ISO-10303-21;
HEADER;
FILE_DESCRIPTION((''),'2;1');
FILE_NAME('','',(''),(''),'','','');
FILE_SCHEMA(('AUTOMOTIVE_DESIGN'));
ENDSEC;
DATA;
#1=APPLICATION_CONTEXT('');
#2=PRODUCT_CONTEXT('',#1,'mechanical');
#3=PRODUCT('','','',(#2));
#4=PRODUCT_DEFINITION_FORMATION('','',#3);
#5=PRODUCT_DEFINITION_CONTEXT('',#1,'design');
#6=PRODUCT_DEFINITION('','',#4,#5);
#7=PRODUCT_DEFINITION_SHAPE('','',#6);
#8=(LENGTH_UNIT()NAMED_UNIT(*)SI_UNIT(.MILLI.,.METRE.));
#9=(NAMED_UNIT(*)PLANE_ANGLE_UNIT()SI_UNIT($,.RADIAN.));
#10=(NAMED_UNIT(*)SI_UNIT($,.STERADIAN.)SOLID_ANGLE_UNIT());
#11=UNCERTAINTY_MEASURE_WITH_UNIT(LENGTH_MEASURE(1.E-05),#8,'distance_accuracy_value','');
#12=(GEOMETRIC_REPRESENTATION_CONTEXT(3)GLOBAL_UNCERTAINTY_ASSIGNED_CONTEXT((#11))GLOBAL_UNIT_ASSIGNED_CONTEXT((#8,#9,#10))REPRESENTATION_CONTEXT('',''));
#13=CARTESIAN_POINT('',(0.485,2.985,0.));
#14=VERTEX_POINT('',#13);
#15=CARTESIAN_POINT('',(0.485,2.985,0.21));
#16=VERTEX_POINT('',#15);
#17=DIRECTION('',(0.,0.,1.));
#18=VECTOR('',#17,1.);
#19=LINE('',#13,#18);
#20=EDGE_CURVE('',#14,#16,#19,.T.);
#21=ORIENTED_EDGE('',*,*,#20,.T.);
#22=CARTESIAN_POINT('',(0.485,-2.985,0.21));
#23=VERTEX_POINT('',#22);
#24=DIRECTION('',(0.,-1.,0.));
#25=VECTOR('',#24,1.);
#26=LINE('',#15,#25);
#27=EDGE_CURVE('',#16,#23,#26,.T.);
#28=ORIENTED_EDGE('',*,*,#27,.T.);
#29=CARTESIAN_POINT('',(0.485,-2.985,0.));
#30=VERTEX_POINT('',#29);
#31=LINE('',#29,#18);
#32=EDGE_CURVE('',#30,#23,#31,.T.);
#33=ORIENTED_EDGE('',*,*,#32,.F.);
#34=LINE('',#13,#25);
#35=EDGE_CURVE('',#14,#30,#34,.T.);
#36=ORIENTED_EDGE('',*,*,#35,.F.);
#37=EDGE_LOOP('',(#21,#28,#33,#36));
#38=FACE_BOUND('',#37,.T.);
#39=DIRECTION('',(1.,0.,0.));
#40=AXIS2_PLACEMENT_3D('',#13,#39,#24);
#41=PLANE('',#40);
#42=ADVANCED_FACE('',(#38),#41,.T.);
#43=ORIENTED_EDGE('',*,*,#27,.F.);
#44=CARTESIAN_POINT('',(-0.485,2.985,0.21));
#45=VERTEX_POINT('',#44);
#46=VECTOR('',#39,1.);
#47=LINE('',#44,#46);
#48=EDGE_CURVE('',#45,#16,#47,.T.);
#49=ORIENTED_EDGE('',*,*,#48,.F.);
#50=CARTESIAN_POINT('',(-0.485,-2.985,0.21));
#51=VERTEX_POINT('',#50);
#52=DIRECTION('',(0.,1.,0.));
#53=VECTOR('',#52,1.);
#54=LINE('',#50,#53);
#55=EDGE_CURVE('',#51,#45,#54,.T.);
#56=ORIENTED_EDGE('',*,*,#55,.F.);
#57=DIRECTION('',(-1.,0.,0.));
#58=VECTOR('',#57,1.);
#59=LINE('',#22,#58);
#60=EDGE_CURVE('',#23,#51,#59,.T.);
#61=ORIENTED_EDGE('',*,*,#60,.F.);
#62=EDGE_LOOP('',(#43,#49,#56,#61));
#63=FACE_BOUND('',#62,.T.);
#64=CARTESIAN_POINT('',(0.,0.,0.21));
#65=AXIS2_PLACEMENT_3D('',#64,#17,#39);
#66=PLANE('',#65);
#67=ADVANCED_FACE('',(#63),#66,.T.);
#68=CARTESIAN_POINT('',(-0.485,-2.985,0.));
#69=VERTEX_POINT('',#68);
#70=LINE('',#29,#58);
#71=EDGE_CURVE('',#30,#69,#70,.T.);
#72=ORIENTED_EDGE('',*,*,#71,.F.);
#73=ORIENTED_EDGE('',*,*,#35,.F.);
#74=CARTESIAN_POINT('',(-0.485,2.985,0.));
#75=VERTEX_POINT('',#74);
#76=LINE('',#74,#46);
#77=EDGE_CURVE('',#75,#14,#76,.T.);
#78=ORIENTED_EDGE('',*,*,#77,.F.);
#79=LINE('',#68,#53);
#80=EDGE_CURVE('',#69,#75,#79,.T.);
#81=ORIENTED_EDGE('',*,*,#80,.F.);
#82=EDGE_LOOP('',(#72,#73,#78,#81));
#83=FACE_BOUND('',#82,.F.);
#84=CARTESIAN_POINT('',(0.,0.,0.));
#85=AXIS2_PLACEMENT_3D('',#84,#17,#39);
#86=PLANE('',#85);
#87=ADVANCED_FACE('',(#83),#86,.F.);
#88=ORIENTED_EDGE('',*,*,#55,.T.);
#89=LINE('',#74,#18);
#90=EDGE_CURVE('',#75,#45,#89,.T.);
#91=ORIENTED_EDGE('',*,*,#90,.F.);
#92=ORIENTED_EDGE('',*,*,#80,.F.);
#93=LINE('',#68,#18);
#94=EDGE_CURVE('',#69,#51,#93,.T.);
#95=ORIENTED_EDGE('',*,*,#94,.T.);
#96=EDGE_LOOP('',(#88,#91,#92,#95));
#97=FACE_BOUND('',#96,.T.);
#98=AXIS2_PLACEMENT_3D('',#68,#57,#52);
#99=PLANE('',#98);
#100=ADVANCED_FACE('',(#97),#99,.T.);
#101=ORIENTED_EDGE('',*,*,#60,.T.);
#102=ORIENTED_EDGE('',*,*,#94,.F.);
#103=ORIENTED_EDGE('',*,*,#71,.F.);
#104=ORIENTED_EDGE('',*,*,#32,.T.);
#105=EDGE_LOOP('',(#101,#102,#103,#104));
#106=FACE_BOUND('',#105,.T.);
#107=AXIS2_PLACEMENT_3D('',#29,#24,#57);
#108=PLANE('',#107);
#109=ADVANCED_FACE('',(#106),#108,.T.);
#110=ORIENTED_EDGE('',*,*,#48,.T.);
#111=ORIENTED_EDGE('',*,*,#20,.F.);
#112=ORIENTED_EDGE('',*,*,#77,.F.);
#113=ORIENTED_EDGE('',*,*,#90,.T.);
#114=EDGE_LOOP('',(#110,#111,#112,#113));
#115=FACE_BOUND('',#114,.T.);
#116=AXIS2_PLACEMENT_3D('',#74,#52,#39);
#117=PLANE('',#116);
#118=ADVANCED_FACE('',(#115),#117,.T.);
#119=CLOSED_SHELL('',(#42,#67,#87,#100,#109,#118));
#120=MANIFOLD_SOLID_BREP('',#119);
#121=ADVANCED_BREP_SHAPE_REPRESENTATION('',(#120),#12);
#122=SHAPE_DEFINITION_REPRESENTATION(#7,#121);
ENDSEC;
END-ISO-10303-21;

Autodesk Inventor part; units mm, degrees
ref_plane "YZ Plane" through (0, 0, 0) normal (1, 0, 0) x (0, 1, 0)
ref_plane "XZ Plane" through (0, 0, 0) normal (0, 1, 0) x (-1, 0, 0)
ref_plane "XY Plane" through (0, 0, 0) normal (0, 0, 1) x (1, 0, 0)
sketch "Sketch1" plane through (0, 0, 0) normal (0, 0, 1) x (1, 0, 0)
  line L0 (-0.485, 2.985) -> (0.485, 2.985)
  line L1 (0.485, 2.985) -> (0.485, -2.985)
  line L2 (0.485, -2.985) -> (-0.485, -2.985)
  line L3 (-0.485, -2.985) -> (-0.485, 2.985)
  point P0 (0, 0)
  point P1 (0, 2.985)
  point P2 (0.485, 0)
  dimension "d0" = 0.97
  dimension "d1" = 5.97
extrude "Extrusion1" add sketch "Sketch1" along normal blind 0.21
properties part number "Piezoelectric_Element" material "PZT"
